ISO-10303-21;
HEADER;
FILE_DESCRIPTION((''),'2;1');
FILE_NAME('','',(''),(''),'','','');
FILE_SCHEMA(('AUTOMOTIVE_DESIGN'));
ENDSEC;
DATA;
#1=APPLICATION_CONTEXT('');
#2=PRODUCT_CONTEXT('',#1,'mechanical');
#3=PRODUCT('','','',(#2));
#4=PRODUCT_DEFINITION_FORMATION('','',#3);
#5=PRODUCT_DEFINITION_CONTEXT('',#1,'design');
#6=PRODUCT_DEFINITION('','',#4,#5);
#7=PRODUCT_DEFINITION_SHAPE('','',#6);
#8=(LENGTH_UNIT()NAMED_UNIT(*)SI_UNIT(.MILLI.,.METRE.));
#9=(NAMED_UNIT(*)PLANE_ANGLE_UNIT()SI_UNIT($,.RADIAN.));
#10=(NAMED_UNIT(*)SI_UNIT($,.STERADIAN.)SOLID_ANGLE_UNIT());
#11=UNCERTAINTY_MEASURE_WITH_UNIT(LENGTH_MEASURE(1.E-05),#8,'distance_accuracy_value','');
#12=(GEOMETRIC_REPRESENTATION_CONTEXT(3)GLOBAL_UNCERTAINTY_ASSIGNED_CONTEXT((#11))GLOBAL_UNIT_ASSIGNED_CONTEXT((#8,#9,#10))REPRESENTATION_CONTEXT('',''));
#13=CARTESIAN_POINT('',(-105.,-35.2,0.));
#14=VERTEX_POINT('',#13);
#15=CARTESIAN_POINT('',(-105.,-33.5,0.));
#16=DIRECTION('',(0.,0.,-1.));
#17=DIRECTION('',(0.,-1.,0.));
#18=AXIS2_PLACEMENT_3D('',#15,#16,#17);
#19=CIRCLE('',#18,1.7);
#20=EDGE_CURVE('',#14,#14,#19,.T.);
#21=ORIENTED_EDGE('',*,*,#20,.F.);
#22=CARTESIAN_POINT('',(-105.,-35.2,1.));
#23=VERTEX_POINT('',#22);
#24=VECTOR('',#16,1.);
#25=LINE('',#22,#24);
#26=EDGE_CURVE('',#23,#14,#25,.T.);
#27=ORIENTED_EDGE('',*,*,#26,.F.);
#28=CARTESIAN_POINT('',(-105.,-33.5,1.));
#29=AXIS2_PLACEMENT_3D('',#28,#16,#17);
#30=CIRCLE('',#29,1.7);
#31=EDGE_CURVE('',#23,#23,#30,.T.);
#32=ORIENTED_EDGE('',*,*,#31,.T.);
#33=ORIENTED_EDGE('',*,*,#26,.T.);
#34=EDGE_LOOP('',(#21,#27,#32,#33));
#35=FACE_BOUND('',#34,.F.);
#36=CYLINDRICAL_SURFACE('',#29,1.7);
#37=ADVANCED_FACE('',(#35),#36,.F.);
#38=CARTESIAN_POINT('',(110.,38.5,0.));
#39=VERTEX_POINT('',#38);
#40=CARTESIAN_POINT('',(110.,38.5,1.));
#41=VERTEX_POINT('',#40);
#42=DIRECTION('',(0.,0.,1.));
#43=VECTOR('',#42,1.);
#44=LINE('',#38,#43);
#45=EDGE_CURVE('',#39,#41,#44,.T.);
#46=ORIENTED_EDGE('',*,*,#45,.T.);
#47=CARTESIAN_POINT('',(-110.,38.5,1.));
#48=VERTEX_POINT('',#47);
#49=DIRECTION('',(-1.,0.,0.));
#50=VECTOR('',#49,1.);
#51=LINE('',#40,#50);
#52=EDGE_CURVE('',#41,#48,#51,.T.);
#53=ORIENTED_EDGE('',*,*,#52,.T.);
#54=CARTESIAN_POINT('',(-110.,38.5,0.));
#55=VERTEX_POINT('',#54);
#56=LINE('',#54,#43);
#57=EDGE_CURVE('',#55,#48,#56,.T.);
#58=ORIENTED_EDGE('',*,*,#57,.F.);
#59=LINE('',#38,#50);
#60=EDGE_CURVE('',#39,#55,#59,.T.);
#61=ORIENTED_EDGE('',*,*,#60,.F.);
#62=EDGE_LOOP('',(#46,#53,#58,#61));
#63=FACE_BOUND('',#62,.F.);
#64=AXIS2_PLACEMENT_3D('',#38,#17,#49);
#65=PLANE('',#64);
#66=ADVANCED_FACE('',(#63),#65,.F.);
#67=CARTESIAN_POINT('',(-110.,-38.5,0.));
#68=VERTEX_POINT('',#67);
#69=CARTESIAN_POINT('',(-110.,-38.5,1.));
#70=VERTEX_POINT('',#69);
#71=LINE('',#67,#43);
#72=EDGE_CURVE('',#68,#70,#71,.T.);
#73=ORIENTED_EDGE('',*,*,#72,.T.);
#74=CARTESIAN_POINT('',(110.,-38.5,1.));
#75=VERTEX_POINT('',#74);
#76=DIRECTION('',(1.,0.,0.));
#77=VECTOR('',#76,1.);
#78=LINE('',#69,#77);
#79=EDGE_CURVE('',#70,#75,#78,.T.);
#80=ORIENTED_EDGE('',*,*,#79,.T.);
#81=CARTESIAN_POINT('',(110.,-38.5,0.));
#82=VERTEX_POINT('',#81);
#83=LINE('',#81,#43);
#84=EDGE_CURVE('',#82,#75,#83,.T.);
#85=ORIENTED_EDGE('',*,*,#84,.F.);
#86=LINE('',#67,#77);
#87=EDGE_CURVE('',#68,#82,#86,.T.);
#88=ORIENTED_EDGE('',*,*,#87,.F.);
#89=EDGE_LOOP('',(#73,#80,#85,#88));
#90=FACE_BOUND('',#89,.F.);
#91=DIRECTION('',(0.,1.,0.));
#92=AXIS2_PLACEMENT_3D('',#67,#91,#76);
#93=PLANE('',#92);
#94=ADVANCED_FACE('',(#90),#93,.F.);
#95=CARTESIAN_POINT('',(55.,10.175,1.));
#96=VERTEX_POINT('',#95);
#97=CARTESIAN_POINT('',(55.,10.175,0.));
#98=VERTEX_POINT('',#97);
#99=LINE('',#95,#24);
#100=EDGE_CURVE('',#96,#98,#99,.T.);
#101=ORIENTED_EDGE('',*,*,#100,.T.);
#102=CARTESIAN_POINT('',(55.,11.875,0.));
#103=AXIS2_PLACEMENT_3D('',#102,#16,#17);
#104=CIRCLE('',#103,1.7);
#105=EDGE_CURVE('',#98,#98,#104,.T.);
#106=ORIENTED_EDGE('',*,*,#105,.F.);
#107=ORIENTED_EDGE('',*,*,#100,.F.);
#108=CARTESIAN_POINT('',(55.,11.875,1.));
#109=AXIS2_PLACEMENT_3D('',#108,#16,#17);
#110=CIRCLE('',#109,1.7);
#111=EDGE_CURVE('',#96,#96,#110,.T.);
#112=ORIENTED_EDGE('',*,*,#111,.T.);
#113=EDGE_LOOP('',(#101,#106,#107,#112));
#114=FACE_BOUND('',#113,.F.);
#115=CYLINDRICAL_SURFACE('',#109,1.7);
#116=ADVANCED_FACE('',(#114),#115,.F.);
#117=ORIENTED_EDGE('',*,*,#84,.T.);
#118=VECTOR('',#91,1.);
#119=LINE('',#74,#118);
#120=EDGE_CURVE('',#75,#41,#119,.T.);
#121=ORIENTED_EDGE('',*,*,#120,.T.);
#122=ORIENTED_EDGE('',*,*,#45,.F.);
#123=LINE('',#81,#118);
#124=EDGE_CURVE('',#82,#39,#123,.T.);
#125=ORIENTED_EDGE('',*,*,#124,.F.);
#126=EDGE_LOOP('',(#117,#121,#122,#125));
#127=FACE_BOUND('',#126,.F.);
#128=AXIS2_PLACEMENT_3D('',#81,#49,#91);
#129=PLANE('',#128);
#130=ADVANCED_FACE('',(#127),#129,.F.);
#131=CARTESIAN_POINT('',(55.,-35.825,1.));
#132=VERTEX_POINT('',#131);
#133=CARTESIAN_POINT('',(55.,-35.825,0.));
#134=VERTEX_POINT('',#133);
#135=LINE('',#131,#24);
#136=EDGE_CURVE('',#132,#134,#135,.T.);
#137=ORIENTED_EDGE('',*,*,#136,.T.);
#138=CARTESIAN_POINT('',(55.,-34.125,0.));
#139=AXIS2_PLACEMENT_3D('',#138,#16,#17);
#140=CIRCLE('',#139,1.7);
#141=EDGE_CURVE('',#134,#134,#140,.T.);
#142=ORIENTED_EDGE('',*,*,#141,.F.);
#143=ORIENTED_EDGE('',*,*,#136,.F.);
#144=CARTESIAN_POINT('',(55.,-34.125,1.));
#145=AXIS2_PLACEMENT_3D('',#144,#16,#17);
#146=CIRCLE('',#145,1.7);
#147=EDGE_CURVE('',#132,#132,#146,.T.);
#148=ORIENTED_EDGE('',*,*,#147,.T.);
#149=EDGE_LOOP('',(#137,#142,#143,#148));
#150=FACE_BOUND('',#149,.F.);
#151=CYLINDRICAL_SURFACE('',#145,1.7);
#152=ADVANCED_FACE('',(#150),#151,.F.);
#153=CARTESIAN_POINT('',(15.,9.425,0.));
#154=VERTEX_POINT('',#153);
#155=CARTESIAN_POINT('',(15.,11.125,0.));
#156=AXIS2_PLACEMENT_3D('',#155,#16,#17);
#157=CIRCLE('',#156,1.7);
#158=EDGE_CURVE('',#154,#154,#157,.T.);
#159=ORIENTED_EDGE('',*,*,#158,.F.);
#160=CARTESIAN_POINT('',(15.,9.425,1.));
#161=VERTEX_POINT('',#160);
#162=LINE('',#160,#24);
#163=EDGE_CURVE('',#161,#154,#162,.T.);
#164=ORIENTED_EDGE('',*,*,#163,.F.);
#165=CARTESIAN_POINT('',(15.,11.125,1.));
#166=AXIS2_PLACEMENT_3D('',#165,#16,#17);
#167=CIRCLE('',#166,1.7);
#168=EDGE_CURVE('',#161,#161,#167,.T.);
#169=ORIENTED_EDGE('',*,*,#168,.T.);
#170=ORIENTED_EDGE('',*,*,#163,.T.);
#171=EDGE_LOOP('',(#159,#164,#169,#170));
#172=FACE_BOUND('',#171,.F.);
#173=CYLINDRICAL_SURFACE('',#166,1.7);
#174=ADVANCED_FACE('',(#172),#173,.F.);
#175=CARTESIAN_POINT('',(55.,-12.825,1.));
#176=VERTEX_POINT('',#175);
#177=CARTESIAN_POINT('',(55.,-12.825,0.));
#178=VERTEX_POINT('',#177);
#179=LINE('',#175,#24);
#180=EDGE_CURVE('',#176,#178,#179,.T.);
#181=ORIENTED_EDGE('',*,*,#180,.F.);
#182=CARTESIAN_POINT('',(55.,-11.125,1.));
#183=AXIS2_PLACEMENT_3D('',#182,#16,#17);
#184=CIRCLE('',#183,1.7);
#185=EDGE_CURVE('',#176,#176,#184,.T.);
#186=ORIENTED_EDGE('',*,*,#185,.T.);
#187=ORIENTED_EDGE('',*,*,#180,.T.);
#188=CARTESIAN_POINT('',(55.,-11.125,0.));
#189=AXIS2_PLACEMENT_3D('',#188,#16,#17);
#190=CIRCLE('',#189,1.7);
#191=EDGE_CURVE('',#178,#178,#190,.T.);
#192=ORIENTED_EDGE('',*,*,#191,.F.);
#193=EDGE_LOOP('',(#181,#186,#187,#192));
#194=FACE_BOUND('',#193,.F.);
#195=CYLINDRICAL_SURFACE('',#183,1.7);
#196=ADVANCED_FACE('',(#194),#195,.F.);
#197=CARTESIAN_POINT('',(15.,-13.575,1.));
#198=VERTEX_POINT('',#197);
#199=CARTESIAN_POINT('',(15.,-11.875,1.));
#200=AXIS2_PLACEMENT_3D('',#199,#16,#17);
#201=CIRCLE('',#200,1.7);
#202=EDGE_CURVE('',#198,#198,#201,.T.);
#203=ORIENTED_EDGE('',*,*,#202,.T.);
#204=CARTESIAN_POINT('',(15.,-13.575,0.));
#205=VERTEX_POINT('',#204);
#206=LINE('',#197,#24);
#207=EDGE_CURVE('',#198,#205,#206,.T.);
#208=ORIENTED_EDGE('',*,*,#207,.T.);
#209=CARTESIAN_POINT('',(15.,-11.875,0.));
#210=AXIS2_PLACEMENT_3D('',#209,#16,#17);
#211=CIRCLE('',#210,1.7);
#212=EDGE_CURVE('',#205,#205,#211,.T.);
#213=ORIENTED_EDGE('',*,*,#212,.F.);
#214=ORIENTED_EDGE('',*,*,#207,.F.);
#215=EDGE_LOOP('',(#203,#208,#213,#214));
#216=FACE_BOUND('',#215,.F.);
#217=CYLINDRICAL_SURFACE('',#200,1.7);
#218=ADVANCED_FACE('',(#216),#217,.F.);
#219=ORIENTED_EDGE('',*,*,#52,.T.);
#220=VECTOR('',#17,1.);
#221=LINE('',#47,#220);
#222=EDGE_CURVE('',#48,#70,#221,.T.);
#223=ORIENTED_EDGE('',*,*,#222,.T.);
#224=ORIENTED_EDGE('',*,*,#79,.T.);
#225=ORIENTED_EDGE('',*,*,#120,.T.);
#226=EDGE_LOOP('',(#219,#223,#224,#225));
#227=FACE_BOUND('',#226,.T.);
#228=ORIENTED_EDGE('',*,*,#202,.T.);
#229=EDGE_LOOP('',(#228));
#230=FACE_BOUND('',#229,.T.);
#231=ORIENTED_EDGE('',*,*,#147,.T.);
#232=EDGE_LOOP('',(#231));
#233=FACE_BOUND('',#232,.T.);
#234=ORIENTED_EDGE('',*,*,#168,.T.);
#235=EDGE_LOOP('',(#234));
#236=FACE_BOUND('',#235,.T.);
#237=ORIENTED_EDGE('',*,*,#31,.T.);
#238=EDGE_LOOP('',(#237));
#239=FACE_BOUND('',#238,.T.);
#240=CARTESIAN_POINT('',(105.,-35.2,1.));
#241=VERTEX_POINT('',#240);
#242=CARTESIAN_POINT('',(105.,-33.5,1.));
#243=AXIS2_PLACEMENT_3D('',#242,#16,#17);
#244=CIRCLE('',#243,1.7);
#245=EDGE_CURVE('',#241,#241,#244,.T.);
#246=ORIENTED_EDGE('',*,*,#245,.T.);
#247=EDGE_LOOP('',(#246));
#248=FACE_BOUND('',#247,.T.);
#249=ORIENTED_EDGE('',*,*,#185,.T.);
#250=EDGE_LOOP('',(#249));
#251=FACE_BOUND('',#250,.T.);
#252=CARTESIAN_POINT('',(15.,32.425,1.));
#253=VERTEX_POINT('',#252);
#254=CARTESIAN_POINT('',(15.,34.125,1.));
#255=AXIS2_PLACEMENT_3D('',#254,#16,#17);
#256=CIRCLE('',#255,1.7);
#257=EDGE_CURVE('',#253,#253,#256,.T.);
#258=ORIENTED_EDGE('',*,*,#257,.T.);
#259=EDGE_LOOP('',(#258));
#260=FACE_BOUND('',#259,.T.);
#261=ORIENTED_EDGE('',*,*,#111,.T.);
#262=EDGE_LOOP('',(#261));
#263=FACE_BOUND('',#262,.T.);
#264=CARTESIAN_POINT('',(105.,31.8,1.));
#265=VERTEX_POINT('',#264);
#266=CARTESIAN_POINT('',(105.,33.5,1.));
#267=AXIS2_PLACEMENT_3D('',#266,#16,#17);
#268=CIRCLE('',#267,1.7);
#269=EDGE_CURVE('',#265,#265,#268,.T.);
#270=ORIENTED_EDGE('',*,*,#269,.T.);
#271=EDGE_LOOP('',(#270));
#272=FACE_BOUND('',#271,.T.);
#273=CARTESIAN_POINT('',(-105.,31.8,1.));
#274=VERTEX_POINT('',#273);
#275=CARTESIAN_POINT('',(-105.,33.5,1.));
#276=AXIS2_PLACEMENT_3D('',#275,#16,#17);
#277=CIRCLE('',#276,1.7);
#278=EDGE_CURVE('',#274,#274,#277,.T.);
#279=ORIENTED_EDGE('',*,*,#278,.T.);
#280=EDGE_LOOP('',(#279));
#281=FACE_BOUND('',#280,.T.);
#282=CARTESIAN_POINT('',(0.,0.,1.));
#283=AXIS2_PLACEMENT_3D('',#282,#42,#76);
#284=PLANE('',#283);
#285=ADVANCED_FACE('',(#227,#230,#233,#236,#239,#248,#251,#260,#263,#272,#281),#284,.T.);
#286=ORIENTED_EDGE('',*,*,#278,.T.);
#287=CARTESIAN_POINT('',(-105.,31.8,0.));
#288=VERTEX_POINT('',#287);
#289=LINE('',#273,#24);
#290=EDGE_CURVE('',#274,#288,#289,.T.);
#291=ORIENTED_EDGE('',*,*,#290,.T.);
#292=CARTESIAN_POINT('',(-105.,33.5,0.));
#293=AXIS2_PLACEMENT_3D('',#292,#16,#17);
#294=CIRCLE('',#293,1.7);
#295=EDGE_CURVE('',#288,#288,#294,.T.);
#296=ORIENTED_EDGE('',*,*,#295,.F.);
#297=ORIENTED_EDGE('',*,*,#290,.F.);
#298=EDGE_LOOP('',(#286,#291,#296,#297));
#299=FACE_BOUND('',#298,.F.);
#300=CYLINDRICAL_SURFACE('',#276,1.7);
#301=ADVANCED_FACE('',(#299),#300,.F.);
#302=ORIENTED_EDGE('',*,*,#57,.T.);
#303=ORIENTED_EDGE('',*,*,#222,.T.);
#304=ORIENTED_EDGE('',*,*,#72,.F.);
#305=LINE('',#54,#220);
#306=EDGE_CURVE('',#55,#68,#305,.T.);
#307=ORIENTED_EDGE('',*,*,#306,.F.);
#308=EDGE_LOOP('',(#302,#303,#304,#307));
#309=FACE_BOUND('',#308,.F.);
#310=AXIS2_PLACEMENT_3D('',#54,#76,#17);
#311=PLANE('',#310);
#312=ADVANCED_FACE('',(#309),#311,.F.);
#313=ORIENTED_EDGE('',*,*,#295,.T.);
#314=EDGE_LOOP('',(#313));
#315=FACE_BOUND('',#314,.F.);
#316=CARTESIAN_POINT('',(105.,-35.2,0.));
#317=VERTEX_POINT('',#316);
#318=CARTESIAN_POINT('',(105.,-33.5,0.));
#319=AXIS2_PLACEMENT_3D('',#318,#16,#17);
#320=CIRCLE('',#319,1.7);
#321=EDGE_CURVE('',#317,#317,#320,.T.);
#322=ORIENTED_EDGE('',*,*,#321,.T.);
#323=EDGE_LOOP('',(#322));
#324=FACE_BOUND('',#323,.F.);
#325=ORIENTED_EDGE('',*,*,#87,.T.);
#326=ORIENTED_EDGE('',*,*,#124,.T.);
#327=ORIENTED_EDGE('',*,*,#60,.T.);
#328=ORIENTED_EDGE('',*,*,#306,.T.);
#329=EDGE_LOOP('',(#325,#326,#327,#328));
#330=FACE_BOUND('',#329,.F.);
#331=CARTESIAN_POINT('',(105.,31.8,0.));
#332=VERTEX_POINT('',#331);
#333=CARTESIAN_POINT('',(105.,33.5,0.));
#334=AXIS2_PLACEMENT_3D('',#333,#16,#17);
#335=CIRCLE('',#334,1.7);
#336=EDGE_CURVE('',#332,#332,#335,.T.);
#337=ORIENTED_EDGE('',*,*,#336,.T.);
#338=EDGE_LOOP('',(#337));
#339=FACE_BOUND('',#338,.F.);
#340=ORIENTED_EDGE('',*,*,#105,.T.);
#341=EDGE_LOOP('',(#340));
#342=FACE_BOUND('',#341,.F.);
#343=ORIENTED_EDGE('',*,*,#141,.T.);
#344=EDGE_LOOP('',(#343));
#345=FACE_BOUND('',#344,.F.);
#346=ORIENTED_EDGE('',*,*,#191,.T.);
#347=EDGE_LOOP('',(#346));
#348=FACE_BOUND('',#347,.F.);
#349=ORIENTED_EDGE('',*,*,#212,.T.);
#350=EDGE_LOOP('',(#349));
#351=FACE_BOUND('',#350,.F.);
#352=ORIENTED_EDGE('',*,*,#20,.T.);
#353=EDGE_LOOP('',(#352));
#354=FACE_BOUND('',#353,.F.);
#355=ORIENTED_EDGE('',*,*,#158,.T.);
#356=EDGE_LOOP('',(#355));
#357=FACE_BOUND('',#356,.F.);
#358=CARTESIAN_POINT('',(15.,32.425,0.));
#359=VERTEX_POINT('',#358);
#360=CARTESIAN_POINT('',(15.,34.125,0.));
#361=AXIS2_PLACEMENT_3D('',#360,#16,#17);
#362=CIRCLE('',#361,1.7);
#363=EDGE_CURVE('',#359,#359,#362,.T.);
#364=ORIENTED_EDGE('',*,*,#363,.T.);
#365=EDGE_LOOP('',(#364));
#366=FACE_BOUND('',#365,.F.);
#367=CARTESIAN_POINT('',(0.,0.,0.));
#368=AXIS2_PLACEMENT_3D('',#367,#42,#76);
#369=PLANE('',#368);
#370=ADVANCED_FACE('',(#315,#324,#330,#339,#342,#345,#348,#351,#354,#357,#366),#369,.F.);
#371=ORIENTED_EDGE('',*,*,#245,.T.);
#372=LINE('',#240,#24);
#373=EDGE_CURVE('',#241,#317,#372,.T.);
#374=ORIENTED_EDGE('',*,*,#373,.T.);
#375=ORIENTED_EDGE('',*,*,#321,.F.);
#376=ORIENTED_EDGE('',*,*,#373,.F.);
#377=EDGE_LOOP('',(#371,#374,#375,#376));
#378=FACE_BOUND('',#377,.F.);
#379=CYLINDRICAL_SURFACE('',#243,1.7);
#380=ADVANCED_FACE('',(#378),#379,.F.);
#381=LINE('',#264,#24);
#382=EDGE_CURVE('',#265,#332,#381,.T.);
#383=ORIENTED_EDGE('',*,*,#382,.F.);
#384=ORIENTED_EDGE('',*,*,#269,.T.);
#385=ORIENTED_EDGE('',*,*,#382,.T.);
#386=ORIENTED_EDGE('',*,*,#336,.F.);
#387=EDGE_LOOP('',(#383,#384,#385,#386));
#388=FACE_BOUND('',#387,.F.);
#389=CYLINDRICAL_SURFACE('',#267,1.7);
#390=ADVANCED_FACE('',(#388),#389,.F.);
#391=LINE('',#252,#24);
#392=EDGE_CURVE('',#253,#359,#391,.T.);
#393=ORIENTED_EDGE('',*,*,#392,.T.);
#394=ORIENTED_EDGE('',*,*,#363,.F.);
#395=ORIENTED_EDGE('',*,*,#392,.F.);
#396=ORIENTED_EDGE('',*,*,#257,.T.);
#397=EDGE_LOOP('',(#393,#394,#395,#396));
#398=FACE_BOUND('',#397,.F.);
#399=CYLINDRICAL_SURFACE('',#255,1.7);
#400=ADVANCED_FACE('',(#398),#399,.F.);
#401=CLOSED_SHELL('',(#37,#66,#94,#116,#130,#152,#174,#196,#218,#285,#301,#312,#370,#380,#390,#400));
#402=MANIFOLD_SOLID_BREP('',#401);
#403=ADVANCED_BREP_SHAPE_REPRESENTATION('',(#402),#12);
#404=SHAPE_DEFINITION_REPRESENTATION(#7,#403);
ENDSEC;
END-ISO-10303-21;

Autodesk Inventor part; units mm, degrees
ref_plane "YZ Plane" through (0, 0, 0) normal (1, 0, 0) x (0, 1, 0)
ref_plane "XZ Plane" through (0, 0, 0) normal (0, 1, 0) x (-1, 0, 0)
ref_plane "XY Plane" through (0, 0, 0) normal (0, 0, 1) x (1, 0, 0)
sketch "スケッチ1" plane through (0, 0, 0) normal (0, 0, 1) x (1, 0, 0)
  line L0 (-110, -38.5) -> (110, -38.5)
  line L1 (110, -38.5) -> (110, 38.5)
  line L2 (110, 38.5) -> (-110, 38.5)
  line L3 (-110, 38.5) -> (-110, -38.5)
  line L4 (-110, -38.5) -> (110, 38.5) construction
  line L5 (110, -38.5) -> (-110, 38.5) construction
  point P0 (0, 0)
  dimension "d0" = 220
  dimension "d1" = 77
extrude "プレート1" add sketch "スケッチ1" along normal blind 1
sketch "スケッチ2" plane through (0, 0, 1) normal (0, 0, 1) x (1, 0, 0)
  line L0 (-110, -38.5) -> (-110, 38.5) projected
  line L1 (110, -38.5) -> (-110, -38.5) projected
  line L2 (110, 38.5) -> (110, -38.5) projected
  line L3 (-110, 38.5) -> (110, 38.5) projected
  line L4 (105, 33.5) -> (105, -33.5)
  line L5 (105, -33.5) -> (-105, -33.5)
  line L6 (-105, -33.5) -> (-105, 33.5)
  line L7 (-105, 33.5) -> (105, 33.5)
  point P0 (0, 0)
  dimension "d3" = 5
hole "穴1" at (-105, 33.5, 1) at (-105, -33.5, 1) at (105, -33.5, 1) at (105, 33.5, 1) direction (0, 0, -1) diameter 3.4 depth 1 clearance for "Flat Head Machine Screw" size "M3" standard "Ansi Metric M Profile"
sketch "スケッチ3" plane through (0, 0, 1) normal (0, 0, 1) x (1, 0, 0)
  line L0 (55, -34.125) -> (15, -34.125)
  line L1 (15, -34.125) -> (15, -11.875)
  line L2 (15, -11.875) -> (55, -11.875)
  line L3 (55, -11.875) -> (55, -34.125)
  line L4 (55, -34.125) -> (15, -11.875) construction
  line L5 (15, -34.125) -> (55, -11.875) construction
  line L6 (15, 11.125) -> (55, 11.125)
  line L7 (55, 11.125) -> (55, -11.125)
  line L8 (55, -11.125) -> (15, -11.125)
  line L9 (15, -11.125) -> (15, 11.125)
  line L10 (15, 11.125) -> (55, -11.125) construction
  line L11 (55, 11.125) -> (15, -11.125) construction
  line L12 (15, 11.875) -> (55, 11.875)
  line L13 (55, 11.875) -> (55, 34.125)
  line L14 (55, 34.125) -> (15, 34.125)
  line L15 (15, 34.125) -> (15, 11.875)
  line L16 (15, 11.875) -> (55, 34.125) construction
  line L17 (55, 11.875) -> (15, 34.125) construction
  point P0 (0, 0)
  point P1 (35, -23)
  point P2 (35, 0)
  point P3 (35, 0)
  point P4 (35, 23)
  point P5 (35, 23)
  point P6 (35, 0)
  point P7 (35, -23)
  dimension "d11" = 22.25
  dimension "d12" = 40
  dimension "d13" = 40
  dimension "d14" = 22.25
  dimension "d15" = 40
  dimension "d16" = 22.25
  dimension "d17" = 23
  dimension "d18" = 23
  dimension "d20" = 35
hole "穴2" at (15, 34.125, 1) at (55, 11.875, 1) at (15, 11.125, 1) at (55, -11.125, 1) at (15, -11.875, 1) at (55, -34.125, 1) direction (0, 0, -1) diameter 3.4 end through all clearance for "Flat Head Machine Screw" size "M3" standard "Ansi Metric M Profile"
equation "\"d9\" = Thickness"
equation "\"d26\" = Thickness"
equation "\"d2\" = Thickness"
equation "\"BendRadius\" = Thickness"
equation "\"BendReliefWidth\" = Thickness"
equation "\"BendReliefDepth\" = 0.5 * Thickness"
equation "\"CornerReliefSize\" = 4 * Thickness"
equation "\"MinimumRemnant\" = 2 * Thickness"
equation "\"TransitionRadius\" = BendRadius"
equation "\"JacobiRadiusSize\" = Thickness"
equation "\"GapSize\" = Thickness"
equation "\"Thickness\" = 1"
properties part number "plate3" material "CFRP"
